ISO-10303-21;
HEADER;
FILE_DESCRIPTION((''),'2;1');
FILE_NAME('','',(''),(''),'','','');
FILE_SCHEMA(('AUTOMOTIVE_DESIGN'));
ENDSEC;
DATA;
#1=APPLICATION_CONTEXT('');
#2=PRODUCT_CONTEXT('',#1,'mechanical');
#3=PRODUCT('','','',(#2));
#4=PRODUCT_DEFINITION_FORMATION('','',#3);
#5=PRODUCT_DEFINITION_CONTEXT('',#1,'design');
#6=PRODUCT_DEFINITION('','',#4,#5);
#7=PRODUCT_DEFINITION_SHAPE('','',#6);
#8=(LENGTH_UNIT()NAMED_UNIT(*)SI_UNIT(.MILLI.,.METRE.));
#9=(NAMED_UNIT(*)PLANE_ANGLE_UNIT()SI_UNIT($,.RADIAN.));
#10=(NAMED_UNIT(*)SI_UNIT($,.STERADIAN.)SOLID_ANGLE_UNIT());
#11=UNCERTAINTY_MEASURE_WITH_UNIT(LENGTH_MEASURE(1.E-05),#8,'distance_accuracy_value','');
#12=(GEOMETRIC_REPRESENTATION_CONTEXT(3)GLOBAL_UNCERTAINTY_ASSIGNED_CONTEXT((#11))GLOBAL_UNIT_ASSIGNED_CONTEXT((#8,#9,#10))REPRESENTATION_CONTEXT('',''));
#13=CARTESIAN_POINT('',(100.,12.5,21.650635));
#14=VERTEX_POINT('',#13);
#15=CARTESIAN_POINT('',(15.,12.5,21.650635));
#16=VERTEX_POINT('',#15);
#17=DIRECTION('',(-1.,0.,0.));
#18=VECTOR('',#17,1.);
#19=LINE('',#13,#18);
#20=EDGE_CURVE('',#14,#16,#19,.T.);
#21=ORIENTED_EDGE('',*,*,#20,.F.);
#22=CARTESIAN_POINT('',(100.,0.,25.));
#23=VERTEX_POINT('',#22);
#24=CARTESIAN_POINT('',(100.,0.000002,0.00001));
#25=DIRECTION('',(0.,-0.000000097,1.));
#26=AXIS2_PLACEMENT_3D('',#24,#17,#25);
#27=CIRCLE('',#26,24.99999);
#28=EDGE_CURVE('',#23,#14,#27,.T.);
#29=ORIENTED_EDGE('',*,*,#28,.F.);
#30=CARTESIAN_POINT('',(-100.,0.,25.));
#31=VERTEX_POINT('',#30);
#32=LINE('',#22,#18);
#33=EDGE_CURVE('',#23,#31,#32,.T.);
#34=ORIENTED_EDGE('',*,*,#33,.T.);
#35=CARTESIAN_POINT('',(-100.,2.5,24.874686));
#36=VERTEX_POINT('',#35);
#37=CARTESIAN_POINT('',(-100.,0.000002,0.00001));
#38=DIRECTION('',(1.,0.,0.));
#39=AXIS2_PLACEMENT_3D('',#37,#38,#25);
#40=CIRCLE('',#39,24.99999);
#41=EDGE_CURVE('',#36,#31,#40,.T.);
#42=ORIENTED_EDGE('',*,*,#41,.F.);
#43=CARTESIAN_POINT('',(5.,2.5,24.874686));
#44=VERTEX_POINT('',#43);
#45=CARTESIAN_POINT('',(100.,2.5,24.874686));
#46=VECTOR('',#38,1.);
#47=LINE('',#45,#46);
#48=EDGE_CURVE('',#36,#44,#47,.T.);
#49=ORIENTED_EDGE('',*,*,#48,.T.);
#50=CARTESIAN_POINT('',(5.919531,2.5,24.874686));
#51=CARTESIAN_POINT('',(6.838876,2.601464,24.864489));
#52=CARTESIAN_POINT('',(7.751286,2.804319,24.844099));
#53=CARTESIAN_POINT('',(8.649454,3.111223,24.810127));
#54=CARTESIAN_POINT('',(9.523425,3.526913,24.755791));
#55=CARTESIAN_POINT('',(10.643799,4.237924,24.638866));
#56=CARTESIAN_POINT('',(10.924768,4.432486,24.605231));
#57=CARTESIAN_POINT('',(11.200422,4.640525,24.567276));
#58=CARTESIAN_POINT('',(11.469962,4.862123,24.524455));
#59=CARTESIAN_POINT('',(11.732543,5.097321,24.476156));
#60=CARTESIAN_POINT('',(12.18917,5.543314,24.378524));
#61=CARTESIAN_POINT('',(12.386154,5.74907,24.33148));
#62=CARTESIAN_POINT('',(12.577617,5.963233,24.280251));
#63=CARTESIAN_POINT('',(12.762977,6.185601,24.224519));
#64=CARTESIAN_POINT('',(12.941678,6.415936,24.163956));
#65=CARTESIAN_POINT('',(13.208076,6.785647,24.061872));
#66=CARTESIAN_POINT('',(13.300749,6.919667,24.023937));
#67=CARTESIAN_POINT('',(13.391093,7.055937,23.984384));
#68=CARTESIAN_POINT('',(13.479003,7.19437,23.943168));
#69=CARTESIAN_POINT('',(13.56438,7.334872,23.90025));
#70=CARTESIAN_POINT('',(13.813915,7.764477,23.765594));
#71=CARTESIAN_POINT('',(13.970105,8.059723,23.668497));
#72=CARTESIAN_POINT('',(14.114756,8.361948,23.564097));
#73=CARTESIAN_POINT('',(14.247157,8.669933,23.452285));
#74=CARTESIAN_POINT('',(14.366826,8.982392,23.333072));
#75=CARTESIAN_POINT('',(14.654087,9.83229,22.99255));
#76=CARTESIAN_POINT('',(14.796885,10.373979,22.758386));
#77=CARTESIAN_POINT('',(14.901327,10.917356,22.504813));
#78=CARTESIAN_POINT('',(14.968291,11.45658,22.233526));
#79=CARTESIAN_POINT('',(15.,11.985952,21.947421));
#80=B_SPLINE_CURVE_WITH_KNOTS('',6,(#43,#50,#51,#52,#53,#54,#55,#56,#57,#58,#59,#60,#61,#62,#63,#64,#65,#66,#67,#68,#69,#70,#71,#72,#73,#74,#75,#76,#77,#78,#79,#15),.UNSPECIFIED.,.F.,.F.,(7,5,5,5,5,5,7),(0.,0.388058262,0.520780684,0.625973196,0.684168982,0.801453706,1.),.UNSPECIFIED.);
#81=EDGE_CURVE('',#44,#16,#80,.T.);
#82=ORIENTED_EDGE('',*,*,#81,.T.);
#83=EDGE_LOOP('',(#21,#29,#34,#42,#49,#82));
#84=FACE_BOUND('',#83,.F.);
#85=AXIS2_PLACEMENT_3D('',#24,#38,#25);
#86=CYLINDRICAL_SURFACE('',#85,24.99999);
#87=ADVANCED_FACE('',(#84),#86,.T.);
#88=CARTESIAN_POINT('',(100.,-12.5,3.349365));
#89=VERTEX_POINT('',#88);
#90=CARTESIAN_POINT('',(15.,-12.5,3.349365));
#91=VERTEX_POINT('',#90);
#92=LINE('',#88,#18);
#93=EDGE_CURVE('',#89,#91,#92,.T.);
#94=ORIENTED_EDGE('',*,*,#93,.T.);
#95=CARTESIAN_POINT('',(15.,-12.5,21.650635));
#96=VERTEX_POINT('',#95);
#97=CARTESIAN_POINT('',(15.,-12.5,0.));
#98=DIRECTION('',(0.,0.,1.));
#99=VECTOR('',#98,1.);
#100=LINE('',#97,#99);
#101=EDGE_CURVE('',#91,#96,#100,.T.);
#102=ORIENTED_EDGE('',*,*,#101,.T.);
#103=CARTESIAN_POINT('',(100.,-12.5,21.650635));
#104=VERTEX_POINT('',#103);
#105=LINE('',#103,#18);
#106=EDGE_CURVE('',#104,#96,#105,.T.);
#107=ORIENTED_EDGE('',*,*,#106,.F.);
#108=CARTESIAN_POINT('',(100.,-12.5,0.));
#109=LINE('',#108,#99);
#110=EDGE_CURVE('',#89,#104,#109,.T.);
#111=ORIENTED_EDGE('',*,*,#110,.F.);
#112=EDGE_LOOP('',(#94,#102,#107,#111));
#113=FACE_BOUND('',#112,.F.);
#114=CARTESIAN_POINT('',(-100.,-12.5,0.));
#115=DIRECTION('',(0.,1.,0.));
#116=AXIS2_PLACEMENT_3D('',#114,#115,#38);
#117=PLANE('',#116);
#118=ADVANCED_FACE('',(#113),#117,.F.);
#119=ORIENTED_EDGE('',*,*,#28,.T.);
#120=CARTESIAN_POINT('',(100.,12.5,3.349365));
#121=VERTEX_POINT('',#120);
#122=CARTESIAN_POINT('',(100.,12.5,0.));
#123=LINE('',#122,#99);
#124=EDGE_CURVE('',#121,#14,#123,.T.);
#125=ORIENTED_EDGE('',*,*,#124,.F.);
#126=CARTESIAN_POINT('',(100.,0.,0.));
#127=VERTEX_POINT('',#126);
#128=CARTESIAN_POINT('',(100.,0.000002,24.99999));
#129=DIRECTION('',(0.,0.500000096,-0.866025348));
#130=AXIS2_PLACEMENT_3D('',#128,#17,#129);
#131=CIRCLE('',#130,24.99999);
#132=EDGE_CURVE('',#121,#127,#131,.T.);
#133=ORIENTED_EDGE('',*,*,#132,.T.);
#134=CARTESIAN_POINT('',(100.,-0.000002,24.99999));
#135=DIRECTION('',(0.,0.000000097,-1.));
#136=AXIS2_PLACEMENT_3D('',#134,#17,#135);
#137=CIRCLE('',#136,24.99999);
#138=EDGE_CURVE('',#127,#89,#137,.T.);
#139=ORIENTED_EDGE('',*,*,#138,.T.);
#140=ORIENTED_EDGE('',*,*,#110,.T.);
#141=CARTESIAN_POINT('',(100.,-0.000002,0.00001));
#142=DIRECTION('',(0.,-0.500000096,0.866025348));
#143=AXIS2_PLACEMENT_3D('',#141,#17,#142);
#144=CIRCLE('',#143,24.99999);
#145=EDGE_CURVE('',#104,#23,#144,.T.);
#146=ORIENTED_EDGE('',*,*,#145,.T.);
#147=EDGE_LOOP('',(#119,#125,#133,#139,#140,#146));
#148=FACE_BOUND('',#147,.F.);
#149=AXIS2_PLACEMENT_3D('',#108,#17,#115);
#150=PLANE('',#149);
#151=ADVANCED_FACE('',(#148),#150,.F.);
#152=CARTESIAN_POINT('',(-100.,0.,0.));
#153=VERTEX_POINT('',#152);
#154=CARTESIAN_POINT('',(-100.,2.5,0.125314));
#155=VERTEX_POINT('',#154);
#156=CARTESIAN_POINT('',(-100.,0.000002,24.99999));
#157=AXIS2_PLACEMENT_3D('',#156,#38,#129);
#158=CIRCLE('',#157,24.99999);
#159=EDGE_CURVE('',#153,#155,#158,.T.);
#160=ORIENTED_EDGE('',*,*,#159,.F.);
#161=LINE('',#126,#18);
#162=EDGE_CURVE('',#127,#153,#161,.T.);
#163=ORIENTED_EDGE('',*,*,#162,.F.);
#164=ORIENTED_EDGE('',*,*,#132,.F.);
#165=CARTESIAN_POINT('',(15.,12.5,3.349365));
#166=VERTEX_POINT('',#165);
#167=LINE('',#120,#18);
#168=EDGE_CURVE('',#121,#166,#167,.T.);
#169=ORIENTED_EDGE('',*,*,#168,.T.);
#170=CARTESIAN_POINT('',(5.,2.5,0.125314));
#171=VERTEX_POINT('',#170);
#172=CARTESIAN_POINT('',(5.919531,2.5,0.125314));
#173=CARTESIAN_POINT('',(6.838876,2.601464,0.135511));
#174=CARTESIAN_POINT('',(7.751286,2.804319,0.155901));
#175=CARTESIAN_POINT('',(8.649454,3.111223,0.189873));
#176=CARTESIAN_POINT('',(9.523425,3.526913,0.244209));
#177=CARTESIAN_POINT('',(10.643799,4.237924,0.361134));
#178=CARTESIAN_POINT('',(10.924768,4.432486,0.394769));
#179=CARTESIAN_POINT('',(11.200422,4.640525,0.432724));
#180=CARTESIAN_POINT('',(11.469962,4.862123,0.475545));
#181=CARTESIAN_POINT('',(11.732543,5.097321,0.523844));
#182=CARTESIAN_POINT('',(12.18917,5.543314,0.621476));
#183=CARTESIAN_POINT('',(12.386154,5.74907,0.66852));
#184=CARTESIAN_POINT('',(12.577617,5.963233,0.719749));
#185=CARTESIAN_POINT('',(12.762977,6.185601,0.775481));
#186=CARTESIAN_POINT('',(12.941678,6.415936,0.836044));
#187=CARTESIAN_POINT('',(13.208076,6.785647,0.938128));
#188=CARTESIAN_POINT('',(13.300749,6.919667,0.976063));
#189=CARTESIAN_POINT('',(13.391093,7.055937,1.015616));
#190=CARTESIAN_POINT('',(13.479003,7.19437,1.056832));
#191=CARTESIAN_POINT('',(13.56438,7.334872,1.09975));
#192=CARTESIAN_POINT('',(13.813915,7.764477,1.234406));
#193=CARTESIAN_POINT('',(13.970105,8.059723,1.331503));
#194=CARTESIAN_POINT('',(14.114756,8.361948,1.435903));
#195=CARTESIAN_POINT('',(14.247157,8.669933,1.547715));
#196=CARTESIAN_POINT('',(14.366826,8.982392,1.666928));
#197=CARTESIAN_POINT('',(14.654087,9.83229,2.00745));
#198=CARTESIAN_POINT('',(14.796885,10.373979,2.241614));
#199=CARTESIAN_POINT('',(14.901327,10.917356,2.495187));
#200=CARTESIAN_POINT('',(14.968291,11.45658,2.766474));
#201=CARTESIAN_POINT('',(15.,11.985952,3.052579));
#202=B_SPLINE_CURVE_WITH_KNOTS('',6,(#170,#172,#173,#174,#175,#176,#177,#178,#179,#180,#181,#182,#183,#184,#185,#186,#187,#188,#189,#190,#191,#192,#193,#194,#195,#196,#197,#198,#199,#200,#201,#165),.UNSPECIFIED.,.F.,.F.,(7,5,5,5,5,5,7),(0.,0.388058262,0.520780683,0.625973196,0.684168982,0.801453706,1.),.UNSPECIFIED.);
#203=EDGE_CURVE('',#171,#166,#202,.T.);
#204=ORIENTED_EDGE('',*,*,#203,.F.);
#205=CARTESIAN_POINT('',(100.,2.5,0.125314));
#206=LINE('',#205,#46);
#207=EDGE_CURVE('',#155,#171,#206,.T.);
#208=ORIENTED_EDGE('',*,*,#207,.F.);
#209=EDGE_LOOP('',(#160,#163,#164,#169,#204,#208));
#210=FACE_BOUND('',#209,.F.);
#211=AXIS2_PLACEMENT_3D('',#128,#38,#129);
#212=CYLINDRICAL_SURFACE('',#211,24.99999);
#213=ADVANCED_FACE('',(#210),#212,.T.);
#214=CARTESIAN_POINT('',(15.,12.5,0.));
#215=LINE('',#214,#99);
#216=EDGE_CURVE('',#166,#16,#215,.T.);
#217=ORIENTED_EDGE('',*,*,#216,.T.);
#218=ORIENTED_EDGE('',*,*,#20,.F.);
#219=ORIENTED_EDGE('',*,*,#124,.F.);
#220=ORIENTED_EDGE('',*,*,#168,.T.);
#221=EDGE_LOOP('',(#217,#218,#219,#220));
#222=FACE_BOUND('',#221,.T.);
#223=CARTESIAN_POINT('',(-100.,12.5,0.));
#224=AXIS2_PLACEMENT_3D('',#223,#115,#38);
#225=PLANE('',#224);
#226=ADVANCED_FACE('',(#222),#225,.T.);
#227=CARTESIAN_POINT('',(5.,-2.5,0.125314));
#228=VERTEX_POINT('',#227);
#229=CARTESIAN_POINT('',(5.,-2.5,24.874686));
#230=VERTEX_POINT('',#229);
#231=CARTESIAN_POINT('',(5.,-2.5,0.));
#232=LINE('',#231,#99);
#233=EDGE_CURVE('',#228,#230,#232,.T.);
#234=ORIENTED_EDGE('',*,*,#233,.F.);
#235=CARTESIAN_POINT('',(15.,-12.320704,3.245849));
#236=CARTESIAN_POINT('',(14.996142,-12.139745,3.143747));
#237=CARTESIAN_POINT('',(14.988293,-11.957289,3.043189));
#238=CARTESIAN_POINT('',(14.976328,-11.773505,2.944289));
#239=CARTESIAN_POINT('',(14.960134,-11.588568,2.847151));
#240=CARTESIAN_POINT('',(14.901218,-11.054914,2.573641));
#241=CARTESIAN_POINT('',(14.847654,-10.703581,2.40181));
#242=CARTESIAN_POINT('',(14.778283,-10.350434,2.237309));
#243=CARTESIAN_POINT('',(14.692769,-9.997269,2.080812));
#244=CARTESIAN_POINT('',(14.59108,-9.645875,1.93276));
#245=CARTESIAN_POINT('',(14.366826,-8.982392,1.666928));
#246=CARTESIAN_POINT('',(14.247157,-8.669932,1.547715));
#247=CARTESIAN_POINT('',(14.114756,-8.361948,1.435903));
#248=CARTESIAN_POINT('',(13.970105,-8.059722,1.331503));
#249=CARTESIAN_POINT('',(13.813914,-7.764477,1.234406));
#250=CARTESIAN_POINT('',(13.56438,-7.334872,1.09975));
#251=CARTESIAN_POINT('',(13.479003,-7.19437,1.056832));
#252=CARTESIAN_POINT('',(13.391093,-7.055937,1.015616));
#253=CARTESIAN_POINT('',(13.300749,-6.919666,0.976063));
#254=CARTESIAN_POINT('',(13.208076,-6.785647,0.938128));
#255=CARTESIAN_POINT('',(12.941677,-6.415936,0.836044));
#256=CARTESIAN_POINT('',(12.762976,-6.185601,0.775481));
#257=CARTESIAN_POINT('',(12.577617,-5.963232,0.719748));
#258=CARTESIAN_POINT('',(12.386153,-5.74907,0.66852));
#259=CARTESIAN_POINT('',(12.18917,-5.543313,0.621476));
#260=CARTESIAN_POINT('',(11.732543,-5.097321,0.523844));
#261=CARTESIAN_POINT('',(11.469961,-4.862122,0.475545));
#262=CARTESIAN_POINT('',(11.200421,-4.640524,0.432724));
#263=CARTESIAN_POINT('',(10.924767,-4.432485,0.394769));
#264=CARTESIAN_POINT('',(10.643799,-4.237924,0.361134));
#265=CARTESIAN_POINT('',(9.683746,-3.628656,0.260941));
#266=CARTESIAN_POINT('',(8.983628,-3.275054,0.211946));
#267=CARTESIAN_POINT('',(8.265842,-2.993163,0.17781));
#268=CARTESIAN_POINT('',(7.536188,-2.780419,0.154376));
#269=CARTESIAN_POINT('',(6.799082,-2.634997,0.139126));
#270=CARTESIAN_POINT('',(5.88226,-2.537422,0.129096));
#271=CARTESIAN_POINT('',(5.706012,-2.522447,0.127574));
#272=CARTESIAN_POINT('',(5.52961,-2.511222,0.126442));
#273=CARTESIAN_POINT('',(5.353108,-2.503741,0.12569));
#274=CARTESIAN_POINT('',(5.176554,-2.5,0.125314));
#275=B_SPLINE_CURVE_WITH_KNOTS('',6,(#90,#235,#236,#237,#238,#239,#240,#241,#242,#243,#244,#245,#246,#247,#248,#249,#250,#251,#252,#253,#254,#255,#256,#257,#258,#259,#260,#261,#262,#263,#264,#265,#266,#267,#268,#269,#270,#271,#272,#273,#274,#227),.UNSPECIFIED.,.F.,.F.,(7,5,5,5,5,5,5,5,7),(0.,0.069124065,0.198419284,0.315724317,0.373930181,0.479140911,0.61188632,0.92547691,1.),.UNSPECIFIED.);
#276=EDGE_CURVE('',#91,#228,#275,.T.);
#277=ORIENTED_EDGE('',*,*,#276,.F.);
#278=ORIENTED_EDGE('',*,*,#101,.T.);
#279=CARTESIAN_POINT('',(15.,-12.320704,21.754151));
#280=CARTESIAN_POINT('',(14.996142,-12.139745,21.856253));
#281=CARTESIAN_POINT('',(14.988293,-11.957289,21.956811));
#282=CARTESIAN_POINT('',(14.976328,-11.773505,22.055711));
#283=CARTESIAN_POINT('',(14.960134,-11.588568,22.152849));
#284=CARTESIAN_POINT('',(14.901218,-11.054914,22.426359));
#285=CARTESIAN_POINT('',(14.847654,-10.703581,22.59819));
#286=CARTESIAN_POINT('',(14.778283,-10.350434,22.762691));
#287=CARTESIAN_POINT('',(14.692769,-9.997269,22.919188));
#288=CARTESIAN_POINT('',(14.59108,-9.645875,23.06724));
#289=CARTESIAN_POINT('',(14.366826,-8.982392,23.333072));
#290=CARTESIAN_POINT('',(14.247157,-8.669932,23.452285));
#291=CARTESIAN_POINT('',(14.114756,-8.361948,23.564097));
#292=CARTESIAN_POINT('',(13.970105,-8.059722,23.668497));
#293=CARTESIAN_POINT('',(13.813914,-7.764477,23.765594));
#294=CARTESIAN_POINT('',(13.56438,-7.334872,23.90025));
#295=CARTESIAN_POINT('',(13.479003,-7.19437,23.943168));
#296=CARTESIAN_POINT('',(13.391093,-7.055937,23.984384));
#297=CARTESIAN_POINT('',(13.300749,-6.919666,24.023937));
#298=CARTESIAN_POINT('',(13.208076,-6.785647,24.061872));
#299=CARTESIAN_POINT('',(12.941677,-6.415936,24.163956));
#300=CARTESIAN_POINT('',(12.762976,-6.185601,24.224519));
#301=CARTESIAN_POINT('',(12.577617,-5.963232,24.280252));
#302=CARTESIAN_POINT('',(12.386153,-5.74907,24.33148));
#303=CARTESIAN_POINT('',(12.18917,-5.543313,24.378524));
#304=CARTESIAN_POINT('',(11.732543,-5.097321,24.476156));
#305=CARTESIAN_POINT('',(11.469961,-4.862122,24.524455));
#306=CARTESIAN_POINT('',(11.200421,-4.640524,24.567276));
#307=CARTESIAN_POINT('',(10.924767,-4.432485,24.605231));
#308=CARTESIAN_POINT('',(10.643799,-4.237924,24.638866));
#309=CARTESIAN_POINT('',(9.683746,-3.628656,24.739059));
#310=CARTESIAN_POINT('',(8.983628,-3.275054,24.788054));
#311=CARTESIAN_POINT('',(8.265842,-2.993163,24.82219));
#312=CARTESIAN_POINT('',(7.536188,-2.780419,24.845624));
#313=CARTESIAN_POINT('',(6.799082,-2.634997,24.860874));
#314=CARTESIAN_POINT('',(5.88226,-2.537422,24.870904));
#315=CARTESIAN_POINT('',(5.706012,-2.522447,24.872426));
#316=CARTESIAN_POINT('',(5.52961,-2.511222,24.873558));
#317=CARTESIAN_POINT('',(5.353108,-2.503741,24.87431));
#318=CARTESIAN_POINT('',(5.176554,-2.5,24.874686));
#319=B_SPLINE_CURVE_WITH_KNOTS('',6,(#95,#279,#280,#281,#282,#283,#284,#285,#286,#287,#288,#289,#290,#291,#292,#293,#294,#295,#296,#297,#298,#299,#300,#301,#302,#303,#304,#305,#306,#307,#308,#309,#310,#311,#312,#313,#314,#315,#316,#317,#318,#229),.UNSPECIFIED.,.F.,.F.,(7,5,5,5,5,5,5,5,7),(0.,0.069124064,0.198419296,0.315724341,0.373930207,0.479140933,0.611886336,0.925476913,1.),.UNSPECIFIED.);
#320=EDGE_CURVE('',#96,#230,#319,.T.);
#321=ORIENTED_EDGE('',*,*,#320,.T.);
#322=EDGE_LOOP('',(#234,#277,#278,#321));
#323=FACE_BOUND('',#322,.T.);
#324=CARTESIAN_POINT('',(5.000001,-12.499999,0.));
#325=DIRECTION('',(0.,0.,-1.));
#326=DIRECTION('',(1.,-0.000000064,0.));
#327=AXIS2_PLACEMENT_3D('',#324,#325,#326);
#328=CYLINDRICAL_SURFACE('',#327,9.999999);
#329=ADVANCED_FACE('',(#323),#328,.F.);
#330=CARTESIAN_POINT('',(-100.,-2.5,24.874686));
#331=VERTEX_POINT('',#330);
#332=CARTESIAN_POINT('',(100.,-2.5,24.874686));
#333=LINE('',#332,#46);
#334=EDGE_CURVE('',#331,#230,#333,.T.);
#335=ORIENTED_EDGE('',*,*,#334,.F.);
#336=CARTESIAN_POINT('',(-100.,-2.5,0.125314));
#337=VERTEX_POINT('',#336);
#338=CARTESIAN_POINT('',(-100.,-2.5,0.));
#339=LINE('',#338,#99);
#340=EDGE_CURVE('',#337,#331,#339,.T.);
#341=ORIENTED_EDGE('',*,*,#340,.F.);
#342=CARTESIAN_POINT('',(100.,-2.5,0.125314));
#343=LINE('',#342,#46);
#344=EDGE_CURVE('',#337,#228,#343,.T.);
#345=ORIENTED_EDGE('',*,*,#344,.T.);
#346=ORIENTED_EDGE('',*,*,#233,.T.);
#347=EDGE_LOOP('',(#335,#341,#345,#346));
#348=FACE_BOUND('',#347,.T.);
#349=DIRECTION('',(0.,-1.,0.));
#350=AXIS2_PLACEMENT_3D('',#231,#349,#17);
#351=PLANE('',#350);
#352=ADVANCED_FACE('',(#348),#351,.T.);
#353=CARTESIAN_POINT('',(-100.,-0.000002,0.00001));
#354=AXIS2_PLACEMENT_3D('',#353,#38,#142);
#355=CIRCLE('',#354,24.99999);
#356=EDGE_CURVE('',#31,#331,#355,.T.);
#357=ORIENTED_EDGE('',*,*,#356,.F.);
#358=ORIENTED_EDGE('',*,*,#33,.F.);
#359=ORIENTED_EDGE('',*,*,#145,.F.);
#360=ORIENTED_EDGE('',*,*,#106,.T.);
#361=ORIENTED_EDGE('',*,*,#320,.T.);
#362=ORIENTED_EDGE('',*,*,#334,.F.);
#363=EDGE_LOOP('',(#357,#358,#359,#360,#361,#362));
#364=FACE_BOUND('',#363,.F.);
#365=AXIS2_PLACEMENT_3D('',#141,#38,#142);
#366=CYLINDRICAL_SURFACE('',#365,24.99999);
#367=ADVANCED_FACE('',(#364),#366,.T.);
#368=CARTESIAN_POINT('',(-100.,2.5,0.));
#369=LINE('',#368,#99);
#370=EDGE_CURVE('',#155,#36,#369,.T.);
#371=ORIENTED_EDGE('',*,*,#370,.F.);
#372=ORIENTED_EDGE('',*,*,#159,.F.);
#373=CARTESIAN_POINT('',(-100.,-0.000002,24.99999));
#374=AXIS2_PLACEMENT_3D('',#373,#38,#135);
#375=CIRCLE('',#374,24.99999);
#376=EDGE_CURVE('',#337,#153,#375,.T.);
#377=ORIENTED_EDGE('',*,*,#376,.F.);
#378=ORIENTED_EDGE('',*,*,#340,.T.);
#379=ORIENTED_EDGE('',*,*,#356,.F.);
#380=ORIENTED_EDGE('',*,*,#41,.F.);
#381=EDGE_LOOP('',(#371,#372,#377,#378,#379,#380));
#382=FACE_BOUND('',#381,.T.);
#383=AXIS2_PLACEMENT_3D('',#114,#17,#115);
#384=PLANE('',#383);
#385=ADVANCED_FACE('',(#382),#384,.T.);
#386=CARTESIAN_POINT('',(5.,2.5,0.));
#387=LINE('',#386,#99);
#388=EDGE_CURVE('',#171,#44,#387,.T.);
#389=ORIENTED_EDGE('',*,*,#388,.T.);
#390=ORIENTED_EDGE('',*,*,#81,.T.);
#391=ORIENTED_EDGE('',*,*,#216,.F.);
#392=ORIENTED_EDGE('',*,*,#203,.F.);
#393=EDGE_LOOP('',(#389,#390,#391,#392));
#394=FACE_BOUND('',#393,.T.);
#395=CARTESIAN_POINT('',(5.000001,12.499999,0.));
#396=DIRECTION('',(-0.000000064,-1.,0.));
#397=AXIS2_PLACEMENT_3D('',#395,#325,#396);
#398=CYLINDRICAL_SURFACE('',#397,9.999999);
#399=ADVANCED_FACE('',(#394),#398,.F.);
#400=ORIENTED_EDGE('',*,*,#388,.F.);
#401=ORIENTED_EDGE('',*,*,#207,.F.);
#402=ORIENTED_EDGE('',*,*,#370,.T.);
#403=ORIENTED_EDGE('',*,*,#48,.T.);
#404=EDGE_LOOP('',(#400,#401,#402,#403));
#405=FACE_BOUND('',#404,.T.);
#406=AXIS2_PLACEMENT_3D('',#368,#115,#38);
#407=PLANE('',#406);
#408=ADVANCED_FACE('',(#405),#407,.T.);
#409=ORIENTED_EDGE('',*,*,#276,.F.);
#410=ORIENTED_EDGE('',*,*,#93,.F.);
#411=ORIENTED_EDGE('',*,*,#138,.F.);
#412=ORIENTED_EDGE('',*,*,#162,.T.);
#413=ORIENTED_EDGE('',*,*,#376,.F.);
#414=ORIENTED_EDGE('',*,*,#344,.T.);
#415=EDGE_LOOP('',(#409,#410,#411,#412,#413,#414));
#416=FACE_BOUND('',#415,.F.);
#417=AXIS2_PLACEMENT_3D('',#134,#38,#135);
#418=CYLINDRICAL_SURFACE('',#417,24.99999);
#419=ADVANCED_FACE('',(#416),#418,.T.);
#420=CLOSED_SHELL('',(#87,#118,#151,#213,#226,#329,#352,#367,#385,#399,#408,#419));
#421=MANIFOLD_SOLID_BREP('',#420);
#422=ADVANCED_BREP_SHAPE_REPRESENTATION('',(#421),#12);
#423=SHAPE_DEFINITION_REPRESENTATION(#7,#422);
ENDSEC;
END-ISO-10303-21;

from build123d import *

# Parameters (mm, degrees)
F0_W     = 200
F0_H     = 25
F1_DEPTH = 25
F3_DEPTH = 200.001
F5_DEPTH = 25.001


with BuildPart() as f1:
    # F0 (on Top) → F1 (new body)
    with BuildSketch(Plane.XY):
        Rectangle(F0_W, F0_H)
    extrude(amount=F1_DEPTH)

    # F2 (on face) → F3 (cut, through all)
    with BuildSketch(Plane.YZ.offset(100)):
        with BuildLine():
            ThreePointArc((0, 25), (6.470476, 24.148146), (12.5, 21.650635))
            Line((12.5, 21.650635), (12.5, 25))
            Line((12.5, 25), (0, 25))
        make_face()
        with BuildLine():
            Line((-12.5, 25), (-12.5, 21.650635))
            ThreePointArc((-12.5, 21.650635), (-6.470476, 24.148146), (0, 25))
            Line((0, 25), (-12.5, 25))
        make_face()
        with BuildLine():
            Line((12.5, 0), (12.5, 3.349365))
            ThreePointArc((12.5, 3.349365), (6.470476, 0.851854), (0, 0))
            Line((0, 0), (12.5, 0))
        make_face()
        with BuildLine():
            ThreePointArc((0, 0), (-6.470476, 0.851854), (-12.5, 3.349365))
            Line((-12.5, 3.349365), (-12.5, 0))
            Line((-12.5, 0), (0, 0))
        make_face()
    extrude(amount=-F3_DEPTH, mode=Mode.SUBTRACT)

    # F4 (on Top) → F5 (cut, through all)
    with BuildSketch(Plane.XY):
        with BuildLine():
            Line((-100, 12.5), (-100, 2.5))
            Line((-100, 2.5), (5, 2.5))
            ThreePointArc((5, 2.5), (12.071068, 5.428932), (15, 12.5))
            Line((15, 12.5), (-100, 12.5))
        make_face()
        with BuildLine():
            Line((-100, -2.5), (-100, -12.5))
            Line((-100, -12.5), (15, -12.5))
            ThreePointArc((15, -12.5), (12.071068, -5.428932), (5, -2.5))
            Line((5, -2.5), (-100, -2.5))
        make_face()
    extrude(amount=F5_DEPTH, mode=Mode.SUBTRACT)


solid = f1.part
